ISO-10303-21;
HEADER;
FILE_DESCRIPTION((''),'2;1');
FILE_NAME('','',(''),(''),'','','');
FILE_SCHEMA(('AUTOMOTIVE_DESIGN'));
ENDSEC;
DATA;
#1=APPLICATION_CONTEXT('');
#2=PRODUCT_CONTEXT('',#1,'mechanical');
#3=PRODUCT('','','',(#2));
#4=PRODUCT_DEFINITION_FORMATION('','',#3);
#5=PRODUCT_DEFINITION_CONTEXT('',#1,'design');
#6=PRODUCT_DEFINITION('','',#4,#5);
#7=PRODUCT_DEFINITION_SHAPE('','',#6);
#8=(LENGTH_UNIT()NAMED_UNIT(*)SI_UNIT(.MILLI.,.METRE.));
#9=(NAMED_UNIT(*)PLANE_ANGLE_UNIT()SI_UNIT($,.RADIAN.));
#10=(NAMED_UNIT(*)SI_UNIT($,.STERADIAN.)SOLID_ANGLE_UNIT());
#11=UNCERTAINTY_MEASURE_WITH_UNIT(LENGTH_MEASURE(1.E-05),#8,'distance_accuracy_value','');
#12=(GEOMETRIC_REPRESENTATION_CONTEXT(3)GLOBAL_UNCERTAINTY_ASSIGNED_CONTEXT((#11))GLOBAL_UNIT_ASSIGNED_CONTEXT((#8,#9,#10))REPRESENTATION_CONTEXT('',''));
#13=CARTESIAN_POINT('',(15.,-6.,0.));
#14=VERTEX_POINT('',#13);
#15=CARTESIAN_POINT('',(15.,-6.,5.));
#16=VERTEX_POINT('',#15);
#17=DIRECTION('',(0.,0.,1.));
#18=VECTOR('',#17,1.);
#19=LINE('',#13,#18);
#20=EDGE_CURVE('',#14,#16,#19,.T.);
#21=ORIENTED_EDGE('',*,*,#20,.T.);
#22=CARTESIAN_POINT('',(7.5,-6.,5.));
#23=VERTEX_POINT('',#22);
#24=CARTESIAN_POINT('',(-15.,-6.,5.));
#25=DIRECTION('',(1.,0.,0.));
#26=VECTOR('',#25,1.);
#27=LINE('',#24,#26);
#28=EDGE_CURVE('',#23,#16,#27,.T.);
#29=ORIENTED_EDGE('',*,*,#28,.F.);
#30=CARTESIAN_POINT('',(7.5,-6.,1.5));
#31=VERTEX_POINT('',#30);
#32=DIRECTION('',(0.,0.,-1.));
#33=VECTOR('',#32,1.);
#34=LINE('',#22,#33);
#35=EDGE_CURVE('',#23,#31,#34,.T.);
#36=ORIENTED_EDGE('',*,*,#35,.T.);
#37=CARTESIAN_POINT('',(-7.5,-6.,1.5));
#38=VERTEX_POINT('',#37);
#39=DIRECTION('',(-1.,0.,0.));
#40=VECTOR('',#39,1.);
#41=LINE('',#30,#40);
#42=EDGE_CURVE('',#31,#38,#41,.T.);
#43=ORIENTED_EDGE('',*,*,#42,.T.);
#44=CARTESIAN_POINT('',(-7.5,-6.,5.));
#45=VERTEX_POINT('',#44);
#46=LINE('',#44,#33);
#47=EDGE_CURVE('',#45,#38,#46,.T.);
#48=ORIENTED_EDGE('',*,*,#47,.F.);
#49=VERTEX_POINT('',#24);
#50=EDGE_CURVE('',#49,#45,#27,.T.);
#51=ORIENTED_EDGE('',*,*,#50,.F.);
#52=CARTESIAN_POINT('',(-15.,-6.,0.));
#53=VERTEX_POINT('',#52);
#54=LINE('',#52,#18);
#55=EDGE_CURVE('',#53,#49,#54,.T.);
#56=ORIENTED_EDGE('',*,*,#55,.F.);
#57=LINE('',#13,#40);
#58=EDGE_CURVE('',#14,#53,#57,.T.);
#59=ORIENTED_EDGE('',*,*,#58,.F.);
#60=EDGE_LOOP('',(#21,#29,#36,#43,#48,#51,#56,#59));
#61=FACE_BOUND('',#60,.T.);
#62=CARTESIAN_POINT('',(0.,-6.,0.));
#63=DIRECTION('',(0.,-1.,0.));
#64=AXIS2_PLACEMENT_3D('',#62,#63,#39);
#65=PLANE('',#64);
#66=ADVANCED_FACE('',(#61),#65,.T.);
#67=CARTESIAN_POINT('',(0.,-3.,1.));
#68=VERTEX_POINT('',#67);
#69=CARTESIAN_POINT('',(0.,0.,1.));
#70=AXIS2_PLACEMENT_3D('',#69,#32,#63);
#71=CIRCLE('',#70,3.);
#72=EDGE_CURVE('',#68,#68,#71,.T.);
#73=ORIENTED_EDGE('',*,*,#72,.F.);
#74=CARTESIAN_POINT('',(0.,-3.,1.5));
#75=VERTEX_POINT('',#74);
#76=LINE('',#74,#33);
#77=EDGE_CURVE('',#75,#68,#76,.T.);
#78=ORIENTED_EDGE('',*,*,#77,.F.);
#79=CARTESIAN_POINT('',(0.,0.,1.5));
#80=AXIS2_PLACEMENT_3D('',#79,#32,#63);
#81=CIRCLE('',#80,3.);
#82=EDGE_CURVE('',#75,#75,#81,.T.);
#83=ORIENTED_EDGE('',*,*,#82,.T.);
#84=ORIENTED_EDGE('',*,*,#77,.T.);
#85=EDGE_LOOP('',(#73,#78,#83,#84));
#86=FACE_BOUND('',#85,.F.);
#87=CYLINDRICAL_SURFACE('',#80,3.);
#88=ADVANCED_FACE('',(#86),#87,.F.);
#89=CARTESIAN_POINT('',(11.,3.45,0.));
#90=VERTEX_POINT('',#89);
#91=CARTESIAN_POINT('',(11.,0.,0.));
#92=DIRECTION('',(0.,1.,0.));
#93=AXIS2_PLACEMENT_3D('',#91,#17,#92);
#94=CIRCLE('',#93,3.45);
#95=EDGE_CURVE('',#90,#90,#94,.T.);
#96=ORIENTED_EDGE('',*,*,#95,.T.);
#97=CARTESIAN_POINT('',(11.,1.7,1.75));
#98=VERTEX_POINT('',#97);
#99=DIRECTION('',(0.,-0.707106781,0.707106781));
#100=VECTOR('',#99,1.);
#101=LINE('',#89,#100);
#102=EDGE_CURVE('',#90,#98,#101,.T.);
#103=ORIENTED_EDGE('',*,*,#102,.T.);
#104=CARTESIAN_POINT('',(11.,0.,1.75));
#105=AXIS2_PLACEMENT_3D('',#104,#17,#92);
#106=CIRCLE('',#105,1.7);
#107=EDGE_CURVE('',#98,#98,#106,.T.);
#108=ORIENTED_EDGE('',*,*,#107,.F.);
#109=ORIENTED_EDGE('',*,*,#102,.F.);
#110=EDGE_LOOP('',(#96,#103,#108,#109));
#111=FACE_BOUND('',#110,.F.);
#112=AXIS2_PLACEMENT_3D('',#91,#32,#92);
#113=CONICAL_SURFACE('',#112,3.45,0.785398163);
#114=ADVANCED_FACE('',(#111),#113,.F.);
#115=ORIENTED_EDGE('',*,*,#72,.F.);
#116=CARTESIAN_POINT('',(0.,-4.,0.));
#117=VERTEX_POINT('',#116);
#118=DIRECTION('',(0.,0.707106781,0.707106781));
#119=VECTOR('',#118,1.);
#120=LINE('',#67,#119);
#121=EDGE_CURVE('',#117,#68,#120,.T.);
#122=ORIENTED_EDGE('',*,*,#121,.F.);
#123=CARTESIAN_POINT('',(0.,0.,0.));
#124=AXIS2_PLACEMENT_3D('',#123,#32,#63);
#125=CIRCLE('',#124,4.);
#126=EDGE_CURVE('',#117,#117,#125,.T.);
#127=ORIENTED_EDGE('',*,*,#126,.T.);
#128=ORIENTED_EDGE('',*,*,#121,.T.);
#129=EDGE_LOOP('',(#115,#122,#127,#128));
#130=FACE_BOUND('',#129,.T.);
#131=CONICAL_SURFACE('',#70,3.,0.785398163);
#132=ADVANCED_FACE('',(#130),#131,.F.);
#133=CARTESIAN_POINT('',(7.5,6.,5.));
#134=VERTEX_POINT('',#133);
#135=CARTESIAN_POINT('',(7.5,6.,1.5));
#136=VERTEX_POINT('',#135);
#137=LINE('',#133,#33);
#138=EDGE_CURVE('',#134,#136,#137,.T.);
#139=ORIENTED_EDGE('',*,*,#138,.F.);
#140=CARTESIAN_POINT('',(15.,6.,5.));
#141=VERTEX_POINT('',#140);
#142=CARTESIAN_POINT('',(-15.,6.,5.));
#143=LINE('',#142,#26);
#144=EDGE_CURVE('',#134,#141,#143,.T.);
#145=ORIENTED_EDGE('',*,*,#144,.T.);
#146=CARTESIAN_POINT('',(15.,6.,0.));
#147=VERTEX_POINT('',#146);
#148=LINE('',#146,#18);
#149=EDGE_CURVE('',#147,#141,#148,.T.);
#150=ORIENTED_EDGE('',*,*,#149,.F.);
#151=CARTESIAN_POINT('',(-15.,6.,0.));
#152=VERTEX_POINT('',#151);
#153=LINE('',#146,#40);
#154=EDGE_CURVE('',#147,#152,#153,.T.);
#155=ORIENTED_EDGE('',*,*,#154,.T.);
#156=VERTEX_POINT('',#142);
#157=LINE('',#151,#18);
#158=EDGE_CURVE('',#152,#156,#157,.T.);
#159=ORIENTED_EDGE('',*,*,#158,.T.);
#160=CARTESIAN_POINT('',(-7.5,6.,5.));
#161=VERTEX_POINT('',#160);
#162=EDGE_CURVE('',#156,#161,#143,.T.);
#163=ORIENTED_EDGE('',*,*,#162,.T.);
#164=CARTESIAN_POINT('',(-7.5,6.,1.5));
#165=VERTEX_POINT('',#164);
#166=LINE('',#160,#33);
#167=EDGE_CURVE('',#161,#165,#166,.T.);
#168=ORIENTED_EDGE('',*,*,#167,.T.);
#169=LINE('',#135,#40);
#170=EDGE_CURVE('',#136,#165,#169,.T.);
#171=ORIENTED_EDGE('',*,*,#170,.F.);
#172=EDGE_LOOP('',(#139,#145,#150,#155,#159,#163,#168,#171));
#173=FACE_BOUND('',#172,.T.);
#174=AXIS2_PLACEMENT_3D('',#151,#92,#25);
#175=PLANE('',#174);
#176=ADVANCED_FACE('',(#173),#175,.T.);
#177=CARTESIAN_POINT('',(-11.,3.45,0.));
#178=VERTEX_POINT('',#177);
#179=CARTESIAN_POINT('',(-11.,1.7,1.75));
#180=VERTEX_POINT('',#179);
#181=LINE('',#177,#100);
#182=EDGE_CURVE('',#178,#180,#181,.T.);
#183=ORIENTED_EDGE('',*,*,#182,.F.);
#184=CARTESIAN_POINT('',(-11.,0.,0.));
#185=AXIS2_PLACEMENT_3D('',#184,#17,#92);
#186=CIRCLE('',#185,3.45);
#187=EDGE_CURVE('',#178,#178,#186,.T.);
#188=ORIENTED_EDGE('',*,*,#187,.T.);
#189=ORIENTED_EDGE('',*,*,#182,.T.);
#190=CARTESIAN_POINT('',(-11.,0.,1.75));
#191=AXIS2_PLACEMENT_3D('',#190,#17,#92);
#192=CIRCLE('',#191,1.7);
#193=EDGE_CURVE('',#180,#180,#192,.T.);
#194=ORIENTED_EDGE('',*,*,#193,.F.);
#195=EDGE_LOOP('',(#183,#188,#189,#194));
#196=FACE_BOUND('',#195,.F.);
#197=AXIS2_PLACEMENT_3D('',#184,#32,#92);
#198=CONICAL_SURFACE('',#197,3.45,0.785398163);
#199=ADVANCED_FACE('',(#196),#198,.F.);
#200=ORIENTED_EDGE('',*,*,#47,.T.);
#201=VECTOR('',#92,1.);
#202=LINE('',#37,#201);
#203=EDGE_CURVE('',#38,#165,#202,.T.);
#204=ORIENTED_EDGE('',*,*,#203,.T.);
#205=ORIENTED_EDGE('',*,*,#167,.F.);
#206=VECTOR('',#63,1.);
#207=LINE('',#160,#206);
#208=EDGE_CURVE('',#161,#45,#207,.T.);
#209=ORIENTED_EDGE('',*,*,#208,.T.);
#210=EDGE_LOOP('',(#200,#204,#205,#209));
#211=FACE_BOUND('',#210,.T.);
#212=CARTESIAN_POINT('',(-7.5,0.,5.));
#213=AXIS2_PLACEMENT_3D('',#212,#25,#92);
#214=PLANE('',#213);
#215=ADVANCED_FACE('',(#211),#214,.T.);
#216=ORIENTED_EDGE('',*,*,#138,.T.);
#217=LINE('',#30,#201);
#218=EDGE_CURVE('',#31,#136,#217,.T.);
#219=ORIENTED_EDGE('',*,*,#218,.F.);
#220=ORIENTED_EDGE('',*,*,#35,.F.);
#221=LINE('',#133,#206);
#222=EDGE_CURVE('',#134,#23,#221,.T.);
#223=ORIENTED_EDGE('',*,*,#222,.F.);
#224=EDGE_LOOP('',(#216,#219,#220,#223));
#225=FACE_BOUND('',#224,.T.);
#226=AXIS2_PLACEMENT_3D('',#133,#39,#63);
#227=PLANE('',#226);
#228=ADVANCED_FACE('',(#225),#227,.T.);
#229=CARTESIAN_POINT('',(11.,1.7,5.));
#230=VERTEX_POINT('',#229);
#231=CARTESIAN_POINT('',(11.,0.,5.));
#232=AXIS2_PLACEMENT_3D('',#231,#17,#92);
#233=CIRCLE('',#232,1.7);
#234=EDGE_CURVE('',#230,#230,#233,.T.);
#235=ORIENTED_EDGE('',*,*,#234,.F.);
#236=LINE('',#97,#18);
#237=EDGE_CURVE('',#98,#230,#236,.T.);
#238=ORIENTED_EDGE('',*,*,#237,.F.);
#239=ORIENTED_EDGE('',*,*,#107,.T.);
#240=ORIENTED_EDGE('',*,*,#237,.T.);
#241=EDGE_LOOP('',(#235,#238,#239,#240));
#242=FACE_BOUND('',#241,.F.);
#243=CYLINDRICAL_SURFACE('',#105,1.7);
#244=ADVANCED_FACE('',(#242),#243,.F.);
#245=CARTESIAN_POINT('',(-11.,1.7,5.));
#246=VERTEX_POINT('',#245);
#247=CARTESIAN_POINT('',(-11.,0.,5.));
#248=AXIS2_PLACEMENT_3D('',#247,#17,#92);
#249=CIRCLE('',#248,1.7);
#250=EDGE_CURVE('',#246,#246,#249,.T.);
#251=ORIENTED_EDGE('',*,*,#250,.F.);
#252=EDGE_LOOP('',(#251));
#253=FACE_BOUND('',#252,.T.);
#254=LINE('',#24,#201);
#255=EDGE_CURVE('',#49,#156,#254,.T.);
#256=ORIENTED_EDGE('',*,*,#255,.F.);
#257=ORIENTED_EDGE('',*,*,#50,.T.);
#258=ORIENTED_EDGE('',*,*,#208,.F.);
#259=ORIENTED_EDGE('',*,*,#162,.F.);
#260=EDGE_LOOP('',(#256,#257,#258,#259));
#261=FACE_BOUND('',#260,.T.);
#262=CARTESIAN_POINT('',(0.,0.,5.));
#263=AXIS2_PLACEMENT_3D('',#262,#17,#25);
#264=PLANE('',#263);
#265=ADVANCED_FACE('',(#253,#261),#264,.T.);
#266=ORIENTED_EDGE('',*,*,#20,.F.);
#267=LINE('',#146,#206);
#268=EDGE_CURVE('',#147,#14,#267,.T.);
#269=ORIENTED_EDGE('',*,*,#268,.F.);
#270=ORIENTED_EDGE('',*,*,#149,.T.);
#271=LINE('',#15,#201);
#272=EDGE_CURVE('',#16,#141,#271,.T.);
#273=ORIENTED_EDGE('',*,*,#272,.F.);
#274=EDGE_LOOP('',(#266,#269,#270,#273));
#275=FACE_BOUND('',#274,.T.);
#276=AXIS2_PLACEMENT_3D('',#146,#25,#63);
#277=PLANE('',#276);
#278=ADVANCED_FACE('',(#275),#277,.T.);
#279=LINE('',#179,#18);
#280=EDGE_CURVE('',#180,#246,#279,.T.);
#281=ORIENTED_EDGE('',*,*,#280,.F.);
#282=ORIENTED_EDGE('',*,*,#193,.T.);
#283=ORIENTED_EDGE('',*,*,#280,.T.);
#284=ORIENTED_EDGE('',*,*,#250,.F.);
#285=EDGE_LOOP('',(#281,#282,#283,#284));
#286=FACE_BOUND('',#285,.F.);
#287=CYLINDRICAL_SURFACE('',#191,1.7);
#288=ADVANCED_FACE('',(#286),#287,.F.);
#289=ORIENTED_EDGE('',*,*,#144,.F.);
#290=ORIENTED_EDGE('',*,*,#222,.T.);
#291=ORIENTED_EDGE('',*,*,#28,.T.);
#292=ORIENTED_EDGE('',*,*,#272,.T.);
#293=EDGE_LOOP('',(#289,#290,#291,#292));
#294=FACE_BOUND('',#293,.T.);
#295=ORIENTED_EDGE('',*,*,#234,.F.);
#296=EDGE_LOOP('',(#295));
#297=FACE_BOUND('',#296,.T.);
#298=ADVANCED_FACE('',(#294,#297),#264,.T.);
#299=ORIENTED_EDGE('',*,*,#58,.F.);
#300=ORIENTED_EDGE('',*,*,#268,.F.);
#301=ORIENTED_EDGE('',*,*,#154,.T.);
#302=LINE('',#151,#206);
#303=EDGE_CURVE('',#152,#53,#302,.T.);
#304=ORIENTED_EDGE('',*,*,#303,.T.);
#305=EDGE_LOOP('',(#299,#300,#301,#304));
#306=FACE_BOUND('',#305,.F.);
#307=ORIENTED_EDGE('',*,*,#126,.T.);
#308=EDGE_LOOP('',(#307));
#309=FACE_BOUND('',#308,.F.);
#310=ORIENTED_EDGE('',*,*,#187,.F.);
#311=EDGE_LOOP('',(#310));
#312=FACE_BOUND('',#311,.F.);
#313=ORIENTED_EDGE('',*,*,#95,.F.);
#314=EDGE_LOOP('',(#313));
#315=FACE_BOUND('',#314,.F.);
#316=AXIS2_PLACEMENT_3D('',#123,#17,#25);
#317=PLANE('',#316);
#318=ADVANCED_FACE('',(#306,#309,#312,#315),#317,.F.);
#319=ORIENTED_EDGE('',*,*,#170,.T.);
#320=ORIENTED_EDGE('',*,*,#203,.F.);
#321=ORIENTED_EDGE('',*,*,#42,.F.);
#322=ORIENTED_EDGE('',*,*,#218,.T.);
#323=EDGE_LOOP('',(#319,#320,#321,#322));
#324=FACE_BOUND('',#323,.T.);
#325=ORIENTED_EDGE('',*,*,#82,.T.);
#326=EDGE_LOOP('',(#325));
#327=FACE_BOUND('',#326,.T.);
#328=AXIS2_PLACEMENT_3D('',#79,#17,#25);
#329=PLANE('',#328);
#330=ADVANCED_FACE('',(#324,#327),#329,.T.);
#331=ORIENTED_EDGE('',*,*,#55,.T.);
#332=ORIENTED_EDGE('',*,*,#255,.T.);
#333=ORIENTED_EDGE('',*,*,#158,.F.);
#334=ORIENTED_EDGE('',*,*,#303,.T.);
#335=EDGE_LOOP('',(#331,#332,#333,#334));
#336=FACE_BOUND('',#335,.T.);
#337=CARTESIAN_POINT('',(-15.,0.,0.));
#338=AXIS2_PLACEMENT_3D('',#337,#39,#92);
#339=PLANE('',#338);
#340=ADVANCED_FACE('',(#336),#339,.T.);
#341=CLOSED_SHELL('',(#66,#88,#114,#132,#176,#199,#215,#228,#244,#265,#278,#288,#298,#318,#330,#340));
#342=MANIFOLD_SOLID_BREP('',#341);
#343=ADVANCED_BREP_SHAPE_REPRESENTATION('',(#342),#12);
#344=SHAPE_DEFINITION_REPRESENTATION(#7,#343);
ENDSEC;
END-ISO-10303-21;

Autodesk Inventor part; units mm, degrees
ref_plane "YZ Plane" through (0, 0, 0) normal (1, 0, 0) x (0, 1, 0)
ref_plane "XZ Plane" through (0, 0, 0) normal (0, 1, 0) x (-1, 0, 0)
ref_plane "XY Plane" through (0, 0, 0) normal (0, 0, 1) x (1, 0, 0)
sketch "Skizze1" plane through (0, 0, 0) normal (0, 0, 1) x (1, 0, 0)
  line L0 (-21, 0) -> (21, 0) projected
  line L1 (0, -8.4) -> (0, 8.4) projected
  line L2 (-15, 6) -> (15, 6)
  line L3 (15, 6) -> (15, -6)
  line L4 (15, -6) -> (-15, -6)
  line L5 (-15, -6) -> (-15, 6)
  point P0 (0, 0)
  dimension "d0" = 12
  dimension "d1" = 30
extrude "Extrusion1" add sketch "Skizze1" along normal blind 5
sketch "Skizze2" plane through (0, 0, 5) normal (0, 0, 1) x (1, 0, 0)
  line L0 (15, 6) -> (-15, 6) projected
  line L1 (-15, -6) -> (15, -6) projected
  line L2 (-21, 0) -> (21, 0) projected
  line L3 (0, -8.4) -> (0, 8.4) projected
  line L4 (-7.5, 6) -> (7.5, 6)
  line L5 (7.5, 6) -> (7.5, -6)
  line L6 (7.5, -6) -> (-7.5, -6)
  line L7 (-7.5, -6) -> (-7.5, 6)
  point P0 (0, 0)
  dimension "d4" = 15
extrude "Extrusion2" cut sketch "Skizze2" against normal blind 3.5
sketch "Skizze3" plane through (0, 0, 0) normal (0, 0, -1) x (-1, 0, 0)
  line L0 (21, 0) -> (-21, 0) projected
  line L1 (0, -8.4) -> (0, 8.4) projected
  point P0 (0, 0)
  point P1 (-11, 0)
  point P2 (11, 0)
  dimension "d7" = 22
hole "Bohrung1" at (11, 0, 0) at (-11, 0, 0) direction (0, 0, 1) diameter 3.4 end through all countersink diameter 6.9 countersink angle 90
sketch "Skizze4" plane through (0, 0, 1.5) normal (0, 0, 1) x (1, 0, 0)
  point P0 (0, 0)
  point P1 (0, 0)
hole "Bohrung2" at (0, 0, 1.5) direction (0, 0, -1) diameter 6 end through all
chamfer "Fase1" distance 1 angle 45 1 edges at (0, 3, 0)
properties part number "13_1087_037"
